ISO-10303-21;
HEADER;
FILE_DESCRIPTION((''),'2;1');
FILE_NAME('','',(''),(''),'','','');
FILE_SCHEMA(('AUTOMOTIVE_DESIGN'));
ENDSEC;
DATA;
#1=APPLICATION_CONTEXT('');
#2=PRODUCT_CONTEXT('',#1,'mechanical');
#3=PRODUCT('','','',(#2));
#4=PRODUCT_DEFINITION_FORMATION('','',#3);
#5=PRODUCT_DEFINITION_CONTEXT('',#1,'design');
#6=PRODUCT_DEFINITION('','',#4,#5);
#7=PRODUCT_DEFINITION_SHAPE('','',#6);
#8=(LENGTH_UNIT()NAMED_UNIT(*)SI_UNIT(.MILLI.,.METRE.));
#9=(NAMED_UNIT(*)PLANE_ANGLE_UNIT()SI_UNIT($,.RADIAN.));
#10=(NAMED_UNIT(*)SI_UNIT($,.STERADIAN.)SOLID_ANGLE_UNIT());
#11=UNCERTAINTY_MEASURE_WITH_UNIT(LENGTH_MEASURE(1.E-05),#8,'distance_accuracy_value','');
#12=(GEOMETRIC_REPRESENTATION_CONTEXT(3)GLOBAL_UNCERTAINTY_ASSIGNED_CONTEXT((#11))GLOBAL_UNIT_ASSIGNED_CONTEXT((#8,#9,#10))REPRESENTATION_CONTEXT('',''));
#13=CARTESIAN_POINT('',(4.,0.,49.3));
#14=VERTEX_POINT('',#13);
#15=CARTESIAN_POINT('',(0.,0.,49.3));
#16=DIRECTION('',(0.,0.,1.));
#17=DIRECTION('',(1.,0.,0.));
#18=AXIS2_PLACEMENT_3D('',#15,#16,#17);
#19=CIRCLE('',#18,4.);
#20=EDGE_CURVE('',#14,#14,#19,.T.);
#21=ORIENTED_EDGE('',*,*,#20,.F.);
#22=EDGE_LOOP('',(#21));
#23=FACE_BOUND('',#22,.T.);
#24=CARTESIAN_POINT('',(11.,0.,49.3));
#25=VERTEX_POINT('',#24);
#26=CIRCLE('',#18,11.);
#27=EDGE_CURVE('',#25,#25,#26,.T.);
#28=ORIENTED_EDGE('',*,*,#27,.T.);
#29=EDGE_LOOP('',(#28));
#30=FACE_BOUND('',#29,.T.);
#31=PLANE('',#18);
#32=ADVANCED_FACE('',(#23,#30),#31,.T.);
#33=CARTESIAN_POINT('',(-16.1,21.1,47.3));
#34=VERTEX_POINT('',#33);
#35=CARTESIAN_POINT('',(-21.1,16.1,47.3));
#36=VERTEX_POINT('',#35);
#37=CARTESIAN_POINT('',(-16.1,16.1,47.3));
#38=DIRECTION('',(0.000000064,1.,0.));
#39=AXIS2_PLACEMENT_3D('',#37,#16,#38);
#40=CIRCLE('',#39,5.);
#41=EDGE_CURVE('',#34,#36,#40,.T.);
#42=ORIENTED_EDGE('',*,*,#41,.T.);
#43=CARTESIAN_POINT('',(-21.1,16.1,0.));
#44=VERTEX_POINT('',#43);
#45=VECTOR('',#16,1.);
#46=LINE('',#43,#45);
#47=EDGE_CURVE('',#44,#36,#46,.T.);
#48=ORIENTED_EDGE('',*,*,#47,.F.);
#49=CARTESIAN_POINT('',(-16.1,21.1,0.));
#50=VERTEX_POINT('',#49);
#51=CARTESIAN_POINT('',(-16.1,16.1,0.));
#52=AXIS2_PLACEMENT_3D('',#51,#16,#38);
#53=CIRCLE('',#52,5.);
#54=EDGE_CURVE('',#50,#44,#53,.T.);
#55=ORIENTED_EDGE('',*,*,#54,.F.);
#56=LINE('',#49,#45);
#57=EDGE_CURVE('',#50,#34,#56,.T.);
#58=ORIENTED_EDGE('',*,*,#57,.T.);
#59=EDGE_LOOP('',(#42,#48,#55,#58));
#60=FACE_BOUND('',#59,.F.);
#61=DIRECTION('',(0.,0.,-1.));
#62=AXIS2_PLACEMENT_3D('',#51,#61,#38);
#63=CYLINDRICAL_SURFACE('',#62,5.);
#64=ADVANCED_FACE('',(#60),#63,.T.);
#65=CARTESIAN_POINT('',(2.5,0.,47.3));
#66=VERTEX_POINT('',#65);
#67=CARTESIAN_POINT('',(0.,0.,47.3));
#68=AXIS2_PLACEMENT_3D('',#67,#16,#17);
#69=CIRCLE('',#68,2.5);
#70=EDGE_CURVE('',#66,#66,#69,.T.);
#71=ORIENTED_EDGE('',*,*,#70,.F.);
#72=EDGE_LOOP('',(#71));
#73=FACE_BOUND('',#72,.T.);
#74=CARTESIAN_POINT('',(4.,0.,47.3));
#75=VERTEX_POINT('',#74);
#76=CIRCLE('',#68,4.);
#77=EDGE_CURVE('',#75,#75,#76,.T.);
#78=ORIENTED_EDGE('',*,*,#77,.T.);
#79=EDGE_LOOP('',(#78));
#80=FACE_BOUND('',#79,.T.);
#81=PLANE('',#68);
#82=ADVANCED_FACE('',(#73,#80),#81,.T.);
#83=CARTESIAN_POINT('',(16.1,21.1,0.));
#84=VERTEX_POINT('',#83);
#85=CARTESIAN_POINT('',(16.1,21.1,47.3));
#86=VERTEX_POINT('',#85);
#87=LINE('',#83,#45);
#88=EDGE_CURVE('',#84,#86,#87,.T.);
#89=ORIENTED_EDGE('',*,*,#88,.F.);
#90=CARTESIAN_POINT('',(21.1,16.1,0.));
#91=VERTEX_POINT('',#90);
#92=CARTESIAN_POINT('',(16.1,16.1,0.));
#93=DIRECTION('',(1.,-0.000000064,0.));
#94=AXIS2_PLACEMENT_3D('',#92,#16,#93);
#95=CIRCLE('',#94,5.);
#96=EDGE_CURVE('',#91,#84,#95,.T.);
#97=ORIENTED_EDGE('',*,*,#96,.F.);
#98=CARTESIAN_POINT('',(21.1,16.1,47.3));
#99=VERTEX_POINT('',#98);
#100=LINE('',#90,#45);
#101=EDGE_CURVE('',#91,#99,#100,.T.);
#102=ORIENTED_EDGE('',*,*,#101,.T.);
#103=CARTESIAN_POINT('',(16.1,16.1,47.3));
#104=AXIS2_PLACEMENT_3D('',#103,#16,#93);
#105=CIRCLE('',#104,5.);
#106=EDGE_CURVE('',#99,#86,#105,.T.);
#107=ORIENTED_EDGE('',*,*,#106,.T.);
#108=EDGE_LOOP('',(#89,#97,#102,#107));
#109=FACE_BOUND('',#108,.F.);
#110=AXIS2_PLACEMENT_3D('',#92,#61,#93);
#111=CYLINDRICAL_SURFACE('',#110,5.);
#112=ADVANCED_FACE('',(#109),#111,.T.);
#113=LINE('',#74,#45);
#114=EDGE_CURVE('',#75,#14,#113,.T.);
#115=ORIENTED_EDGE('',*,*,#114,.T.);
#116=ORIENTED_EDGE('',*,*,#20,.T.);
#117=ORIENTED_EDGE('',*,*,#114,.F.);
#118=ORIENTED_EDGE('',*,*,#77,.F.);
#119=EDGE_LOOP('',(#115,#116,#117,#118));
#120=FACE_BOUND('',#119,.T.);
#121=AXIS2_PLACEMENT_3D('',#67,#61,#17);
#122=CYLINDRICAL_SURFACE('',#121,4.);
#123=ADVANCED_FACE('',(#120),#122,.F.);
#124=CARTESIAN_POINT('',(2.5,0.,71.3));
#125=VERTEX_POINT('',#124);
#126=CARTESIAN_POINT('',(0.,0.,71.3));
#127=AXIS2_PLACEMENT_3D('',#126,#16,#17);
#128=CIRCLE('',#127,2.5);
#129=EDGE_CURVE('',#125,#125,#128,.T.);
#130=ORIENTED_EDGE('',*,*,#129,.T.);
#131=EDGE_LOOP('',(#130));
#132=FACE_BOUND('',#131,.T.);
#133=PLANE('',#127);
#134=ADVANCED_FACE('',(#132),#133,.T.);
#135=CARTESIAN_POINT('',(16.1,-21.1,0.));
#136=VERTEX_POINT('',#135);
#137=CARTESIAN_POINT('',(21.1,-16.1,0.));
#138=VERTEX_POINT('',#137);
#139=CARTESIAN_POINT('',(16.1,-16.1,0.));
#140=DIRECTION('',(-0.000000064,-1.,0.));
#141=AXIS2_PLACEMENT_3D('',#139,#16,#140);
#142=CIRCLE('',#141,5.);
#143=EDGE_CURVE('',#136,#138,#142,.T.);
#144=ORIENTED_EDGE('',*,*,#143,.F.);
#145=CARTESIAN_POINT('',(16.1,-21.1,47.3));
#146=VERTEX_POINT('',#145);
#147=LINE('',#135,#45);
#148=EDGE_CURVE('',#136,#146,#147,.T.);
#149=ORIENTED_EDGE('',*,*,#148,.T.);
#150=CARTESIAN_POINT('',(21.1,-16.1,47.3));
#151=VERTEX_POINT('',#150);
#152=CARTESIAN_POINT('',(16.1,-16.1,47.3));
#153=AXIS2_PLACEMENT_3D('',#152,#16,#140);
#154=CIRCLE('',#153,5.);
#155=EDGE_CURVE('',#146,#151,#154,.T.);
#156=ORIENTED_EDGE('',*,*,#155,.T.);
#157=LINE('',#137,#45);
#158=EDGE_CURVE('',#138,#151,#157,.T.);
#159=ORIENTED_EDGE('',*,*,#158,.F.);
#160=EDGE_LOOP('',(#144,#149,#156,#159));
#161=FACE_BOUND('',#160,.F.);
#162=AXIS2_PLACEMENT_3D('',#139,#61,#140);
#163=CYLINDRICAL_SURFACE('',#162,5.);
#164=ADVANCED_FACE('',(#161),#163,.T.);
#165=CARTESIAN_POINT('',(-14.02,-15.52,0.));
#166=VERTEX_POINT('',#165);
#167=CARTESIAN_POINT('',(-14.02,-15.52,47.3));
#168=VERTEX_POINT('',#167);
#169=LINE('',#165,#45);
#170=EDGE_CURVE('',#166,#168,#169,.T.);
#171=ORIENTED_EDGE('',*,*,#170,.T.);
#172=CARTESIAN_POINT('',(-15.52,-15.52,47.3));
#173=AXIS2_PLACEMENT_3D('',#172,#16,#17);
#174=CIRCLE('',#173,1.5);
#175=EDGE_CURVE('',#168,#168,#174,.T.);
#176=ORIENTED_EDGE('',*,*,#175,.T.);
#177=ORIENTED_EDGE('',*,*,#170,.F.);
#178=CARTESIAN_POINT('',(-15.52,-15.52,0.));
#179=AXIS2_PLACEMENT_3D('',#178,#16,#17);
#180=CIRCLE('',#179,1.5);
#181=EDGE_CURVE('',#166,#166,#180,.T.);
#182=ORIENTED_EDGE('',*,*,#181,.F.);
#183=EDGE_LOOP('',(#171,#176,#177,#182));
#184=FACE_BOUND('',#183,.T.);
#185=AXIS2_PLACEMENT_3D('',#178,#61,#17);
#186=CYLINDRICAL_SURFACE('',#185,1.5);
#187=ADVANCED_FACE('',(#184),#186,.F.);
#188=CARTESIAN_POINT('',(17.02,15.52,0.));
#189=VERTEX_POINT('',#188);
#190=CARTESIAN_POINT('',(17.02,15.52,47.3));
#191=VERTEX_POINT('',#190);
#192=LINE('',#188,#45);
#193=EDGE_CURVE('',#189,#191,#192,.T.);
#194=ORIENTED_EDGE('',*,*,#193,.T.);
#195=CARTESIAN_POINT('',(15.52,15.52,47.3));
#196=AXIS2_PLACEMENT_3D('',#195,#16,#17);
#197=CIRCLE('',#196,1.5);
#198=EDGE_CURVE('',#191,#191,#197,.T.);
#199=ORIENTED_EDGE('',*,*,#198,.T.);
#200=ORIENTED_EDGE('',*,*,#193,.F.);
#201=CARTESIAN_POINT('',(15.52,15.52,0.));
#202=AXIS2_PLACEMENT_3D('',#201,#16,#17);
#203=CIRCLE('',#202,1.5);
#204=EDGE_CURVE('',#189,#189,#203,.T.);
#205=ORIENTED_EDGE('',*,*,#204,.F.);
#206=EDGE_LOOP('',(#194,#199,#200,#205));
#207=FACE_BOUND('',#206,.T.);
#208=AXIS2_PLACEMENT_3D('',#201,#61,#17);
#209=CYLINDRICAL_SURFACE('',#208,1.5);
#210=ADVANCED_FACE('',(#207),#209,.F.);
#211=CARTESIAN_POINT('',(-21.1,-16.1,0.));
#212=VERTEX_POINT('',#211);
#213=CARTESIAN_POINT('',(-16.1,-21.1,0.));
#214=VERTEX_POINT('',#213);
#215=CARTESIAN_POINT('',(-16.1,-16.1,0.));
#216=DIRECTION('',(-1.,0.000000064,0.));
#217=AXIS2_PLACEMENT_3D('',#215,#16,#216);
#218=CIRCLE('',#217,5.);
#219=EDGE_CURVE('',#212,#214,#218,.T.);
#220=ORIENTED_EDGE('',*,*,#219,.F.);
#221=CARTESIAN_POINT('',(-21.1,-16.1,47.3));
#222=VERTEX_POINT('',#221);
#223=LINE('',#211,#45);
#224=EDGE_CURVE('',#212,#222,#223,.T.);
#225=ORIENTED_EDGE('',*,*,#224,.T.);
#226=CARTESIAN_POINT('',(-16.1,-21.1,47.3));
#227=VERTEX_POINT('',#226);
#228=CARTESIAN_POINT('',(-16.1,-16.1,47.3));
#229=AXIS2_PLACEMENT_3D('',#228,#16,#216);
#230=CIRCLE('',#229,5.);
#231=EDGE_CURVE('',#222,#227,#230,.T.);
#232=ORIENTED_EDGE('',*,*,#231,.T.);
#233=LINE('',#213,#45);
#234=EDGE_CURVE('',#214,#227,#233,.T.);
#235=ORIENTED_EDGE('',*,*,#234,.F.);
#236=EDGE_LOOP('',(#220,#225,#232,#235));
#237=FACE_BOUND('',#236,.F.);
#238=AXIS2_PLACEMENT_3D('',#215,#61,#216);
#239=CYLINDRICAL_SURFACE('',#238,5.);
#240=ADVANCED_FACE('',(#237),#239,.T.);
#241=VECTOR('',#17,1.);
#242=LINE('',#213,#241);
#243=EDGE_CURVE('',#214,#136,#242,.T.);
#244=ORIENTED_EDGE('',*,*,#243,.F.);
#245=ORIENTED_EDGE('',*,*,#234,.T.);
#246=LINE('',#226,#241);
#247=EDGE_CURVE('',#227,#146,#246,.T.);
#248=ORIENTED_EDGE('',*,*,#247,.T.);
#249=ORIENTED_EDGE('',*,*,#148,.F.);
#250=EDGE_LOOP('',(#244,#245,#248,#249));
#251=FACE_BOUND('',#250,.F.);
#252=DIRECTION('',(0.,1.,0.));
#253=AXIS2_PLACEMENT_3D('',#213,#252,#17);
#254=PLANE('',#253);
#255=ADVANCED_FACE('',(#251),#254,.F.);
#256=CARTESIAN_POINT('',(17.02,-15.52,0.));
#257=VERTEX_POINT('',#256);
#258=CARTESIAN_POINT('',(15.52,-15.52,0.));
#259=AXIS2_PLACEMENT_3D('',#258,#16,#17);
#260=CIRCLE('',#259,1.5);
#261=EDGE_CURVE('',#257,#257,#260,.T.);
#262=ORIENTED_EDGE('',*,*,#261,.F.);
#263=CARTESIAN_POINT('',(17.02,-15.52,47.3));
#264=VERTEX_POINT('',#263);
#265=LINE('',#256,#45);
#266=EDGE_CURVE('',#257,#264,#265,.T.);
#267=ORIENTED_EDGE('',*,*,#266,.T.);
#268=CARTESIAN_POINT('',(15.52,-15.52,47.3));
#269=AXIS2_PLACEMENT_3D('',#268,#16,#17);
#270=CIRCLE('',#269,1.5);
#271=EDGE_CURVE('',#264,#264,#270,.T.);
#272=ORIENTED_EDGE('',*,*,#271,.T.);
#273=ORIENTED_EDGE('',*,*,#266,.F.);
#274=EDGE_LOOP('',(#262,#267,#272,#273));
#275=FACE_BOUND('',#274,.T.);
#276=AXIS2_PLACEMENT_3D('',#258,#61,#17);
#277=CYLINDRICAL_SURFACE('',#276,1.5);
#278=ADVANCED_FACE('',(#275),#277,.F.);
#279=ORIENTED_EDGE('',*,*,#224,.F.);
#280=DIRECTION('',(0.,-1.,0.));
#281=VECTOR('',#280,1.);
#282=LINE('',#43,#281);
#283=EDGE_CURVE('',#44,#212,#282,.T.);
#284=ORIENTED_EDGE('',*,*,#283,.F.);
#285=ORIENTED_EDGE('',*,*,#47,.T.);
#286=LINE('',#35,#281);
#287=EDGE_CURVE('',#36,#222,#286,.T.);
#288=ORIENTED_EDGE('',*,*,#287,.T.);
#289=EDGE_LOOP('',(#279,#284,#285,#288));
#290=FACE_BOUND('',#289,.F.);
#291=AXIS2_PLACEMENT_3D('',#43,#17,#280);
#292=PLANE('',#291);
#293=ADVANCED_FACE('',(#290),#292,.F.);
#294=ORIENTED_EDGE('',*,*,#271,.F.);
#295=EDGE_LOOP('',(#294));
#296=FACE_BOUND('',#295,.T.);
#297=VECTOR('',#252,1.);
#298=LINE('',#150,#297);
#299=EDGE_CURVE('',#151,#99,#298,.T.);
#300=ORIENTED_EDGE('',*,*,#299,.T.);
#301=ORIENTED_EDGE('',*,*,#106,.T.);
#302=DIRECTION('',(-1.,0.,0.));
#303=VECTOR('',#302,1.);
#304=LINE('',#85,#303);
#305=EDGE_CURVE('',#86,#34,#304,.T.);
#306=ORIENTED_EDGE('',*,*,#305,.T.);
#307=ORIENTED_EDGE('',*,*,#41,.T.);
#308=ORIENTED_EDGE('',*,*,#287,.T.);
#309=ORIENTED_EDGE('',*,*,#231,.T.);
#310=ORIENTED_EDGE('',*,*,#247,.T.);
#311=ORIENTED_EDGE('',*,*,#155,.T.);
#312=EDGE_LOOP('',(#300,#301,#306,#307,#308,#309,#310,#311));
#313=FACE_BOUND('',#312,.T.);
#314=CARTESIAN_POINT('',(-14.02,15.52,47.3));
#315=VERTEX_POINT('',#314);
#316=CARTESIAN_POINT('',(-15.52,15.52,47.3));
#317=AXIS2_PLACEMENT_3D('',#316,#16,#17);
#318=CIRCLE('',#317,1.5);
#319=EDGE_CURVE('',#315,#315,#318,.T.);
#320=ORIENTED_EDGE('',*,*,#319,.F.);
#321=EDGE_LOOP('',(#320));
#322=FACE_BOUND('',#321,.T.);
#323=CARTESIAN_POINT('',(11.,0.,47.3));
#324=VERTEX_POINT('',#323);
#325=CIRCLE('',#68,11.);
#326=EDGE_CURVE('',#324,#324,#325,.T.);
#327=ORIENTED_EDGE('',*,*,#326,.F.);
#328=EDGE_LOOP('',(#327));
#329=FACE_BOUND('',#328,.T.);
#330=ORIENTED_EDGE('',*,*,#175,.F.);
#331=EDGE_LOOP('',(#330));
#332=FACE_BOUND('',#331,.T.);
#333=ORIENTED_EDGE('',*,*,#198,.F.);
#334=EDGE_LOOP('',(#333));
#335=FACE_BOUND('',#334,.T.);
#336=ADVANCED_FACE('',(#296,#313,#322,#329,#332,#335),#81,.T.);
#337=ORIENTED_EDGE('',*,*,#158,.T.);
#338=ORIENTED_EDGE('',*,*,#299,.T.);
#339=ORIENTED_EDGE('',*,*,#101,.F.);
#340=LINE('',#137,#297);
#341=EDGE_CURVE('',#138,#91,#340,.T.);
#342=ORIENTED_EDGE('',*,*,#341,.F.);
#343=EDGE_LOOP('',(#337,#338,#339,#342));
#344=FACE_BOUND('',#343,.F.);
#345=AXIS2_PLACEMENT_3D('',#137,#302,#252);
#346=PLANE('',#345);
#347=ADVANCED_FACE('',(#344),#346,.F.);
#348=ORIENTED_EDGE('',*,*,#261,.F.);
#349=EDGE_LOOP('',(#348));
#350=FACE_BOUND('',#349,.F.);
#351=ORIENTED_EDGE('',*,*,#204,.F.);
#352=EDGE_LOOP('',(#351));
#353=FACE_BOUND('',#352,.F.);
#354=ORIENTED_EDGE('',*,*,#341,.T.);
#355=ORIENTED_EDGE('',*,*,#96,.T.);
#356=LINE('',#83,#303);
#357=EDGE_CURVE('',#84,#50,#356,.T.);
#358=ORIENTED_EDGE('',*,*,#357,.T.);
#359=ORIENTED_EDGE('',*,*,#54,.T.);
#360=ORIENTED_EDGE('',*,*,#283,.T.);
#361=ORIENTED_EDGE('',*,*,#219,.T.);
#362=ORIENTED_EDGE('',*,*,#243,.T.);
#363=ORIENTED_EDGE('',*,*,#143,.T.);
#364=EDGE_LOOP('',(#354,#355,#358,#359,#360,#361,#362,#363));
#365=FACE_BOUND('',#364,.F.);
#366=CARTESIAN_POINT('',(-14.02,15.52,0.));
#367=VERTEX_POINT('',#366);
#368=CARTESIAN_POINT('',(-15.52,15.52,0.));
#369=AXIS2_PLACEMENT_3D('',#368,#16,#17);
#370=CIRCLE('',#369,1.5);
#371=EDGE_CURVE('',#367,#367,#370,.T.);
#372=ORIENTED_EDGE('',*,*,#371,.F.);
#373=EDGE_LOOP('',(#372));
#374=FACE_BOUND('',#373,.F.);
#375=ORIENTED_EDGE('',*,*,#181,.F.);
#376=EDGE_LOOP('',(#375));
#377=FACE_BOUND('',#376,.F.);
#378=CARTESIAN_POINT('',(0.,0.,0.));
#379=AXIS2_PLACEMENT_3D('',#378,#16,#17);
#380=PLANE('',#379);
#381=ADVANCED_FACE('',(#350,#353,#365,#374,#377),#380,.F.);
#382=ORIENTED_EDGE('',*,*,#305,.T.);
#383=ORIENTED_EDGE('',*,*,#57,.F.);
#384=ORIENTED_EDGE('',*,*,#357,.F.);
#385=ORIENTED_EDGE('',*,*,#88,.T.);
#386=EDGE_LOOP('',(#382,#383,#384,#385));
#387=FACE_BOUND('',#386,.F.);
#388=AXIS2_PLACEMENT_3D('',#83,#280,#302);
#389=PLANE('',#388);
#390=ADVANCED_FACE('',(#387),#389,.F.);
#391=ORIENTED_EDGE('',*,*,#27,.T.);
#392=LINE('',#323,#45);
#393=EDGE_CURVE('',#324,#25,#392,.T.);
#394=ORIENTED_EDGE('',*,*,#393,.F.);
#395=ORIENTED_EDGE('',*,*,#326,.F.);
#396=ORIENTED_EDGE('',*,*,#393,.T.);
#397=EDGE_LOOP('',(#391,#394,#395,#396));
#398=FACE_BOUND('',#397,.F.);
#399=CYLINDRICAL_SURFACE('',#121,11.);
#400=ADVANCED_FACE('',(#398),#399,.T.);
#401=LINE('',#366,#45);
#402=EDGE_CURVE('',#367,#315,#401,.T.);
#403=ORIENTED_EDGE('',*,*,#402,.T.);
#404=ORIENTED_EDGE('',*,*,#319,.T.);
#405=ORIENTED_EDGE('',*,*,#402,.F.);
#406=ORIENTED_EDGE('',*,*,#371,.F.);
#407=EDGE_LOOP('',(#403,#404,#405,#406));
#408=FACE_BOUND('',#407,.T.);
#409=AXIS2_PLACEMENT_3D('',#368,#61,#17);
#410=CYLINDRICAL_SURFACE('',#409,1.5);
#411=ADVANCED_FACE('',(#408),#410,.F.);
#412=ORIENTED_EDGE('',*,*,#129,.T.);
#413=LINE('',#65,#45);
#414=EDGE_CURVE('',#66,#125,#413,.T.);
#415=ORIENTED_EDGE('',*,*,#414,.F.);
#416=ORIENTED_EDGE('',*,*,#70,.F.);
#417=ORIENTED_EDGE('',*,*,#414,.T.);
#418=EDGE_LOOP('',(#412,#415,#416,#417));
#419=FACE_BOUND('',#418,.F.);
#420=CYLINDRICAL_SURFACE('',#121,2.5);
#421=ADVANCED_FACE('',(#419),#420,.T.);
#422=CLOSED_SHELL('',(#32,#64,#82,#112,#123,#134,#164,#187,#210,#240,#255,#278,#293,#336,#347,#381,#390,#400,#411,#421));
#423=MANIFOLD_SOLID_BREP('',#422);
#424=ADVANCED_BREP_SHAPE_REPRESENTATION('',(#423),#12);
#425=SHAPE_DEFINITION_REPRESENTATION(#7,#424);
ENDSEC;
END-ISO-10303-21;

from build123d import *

# Parameters (mm, degrees)
F0_R     = 1.5
F1_DEPTH = 47.3
F2_R     = 11
F2_R_2   = 4
F3_DEPTH = 2
F4_R     = 2.5
F5_DEPTH = 24


with BuildPart() as f1:
    # F0 (on Top) → F1 (new body)
    with BuildSketch(Plane.XY):
        with BuildLine():
            Line((16.1, 21.1), (-16.1, 21.1))
            ThreePointArc((-16.1, 21.1), (-19.635534, 19.635534), (-21.1, 16.1))
            Line((-21.1, 16.1), (-21.1, -16.1))
            ThreePointArc((-21.1, -16.1), (-19.635534, -19.635534), (-16.1, -21.1))
            Line((-16.1, -21.1), (16.1, -21.1))
            ThreePointArc((16.1, -21.1), (19.635534, -19.635534), (21.1, -16.1))
            Line((21.1, -16.1), (21.1, 16.1))
            ThreePointArc((21.1, 16.1), (19.635534, 19.635534), (16.1, 21.1))
        make_face()
        with Locations((-15.52, -15.52)):
            Circle(F0_R, mode=Mode.SUBTRACT)
        with Locations((15.52, -15.52)):
            Circle(F0_R, mode=Mode.SUBTRACT)
        with Locations((-15.52, 15.52)):
            Circle(F0_R, mode=Mode.SUBTRACT)
        with Locations((15.52, 15.52)):
            Circle(F0_R, mode=Mode.SUBTRACT)
    extrude(amount=F1_DEPTH)

    # F2 (on face) → F3 (join)
    with BuildSketch(Plane.XY.offset(47.3)):
        Circle(F2_R)
        Circle(F2_R_2, mode=Mode.SUBTRACT)
    extrude(amount=F3_DEPTH)

    # F4 (on face) → F5 (join)
    with BuildSketch(Plane.XY.offset(47.3)):
        Circle(F4_R)
    extrude(amount=F5_DEPTH)


solid = f1.part
